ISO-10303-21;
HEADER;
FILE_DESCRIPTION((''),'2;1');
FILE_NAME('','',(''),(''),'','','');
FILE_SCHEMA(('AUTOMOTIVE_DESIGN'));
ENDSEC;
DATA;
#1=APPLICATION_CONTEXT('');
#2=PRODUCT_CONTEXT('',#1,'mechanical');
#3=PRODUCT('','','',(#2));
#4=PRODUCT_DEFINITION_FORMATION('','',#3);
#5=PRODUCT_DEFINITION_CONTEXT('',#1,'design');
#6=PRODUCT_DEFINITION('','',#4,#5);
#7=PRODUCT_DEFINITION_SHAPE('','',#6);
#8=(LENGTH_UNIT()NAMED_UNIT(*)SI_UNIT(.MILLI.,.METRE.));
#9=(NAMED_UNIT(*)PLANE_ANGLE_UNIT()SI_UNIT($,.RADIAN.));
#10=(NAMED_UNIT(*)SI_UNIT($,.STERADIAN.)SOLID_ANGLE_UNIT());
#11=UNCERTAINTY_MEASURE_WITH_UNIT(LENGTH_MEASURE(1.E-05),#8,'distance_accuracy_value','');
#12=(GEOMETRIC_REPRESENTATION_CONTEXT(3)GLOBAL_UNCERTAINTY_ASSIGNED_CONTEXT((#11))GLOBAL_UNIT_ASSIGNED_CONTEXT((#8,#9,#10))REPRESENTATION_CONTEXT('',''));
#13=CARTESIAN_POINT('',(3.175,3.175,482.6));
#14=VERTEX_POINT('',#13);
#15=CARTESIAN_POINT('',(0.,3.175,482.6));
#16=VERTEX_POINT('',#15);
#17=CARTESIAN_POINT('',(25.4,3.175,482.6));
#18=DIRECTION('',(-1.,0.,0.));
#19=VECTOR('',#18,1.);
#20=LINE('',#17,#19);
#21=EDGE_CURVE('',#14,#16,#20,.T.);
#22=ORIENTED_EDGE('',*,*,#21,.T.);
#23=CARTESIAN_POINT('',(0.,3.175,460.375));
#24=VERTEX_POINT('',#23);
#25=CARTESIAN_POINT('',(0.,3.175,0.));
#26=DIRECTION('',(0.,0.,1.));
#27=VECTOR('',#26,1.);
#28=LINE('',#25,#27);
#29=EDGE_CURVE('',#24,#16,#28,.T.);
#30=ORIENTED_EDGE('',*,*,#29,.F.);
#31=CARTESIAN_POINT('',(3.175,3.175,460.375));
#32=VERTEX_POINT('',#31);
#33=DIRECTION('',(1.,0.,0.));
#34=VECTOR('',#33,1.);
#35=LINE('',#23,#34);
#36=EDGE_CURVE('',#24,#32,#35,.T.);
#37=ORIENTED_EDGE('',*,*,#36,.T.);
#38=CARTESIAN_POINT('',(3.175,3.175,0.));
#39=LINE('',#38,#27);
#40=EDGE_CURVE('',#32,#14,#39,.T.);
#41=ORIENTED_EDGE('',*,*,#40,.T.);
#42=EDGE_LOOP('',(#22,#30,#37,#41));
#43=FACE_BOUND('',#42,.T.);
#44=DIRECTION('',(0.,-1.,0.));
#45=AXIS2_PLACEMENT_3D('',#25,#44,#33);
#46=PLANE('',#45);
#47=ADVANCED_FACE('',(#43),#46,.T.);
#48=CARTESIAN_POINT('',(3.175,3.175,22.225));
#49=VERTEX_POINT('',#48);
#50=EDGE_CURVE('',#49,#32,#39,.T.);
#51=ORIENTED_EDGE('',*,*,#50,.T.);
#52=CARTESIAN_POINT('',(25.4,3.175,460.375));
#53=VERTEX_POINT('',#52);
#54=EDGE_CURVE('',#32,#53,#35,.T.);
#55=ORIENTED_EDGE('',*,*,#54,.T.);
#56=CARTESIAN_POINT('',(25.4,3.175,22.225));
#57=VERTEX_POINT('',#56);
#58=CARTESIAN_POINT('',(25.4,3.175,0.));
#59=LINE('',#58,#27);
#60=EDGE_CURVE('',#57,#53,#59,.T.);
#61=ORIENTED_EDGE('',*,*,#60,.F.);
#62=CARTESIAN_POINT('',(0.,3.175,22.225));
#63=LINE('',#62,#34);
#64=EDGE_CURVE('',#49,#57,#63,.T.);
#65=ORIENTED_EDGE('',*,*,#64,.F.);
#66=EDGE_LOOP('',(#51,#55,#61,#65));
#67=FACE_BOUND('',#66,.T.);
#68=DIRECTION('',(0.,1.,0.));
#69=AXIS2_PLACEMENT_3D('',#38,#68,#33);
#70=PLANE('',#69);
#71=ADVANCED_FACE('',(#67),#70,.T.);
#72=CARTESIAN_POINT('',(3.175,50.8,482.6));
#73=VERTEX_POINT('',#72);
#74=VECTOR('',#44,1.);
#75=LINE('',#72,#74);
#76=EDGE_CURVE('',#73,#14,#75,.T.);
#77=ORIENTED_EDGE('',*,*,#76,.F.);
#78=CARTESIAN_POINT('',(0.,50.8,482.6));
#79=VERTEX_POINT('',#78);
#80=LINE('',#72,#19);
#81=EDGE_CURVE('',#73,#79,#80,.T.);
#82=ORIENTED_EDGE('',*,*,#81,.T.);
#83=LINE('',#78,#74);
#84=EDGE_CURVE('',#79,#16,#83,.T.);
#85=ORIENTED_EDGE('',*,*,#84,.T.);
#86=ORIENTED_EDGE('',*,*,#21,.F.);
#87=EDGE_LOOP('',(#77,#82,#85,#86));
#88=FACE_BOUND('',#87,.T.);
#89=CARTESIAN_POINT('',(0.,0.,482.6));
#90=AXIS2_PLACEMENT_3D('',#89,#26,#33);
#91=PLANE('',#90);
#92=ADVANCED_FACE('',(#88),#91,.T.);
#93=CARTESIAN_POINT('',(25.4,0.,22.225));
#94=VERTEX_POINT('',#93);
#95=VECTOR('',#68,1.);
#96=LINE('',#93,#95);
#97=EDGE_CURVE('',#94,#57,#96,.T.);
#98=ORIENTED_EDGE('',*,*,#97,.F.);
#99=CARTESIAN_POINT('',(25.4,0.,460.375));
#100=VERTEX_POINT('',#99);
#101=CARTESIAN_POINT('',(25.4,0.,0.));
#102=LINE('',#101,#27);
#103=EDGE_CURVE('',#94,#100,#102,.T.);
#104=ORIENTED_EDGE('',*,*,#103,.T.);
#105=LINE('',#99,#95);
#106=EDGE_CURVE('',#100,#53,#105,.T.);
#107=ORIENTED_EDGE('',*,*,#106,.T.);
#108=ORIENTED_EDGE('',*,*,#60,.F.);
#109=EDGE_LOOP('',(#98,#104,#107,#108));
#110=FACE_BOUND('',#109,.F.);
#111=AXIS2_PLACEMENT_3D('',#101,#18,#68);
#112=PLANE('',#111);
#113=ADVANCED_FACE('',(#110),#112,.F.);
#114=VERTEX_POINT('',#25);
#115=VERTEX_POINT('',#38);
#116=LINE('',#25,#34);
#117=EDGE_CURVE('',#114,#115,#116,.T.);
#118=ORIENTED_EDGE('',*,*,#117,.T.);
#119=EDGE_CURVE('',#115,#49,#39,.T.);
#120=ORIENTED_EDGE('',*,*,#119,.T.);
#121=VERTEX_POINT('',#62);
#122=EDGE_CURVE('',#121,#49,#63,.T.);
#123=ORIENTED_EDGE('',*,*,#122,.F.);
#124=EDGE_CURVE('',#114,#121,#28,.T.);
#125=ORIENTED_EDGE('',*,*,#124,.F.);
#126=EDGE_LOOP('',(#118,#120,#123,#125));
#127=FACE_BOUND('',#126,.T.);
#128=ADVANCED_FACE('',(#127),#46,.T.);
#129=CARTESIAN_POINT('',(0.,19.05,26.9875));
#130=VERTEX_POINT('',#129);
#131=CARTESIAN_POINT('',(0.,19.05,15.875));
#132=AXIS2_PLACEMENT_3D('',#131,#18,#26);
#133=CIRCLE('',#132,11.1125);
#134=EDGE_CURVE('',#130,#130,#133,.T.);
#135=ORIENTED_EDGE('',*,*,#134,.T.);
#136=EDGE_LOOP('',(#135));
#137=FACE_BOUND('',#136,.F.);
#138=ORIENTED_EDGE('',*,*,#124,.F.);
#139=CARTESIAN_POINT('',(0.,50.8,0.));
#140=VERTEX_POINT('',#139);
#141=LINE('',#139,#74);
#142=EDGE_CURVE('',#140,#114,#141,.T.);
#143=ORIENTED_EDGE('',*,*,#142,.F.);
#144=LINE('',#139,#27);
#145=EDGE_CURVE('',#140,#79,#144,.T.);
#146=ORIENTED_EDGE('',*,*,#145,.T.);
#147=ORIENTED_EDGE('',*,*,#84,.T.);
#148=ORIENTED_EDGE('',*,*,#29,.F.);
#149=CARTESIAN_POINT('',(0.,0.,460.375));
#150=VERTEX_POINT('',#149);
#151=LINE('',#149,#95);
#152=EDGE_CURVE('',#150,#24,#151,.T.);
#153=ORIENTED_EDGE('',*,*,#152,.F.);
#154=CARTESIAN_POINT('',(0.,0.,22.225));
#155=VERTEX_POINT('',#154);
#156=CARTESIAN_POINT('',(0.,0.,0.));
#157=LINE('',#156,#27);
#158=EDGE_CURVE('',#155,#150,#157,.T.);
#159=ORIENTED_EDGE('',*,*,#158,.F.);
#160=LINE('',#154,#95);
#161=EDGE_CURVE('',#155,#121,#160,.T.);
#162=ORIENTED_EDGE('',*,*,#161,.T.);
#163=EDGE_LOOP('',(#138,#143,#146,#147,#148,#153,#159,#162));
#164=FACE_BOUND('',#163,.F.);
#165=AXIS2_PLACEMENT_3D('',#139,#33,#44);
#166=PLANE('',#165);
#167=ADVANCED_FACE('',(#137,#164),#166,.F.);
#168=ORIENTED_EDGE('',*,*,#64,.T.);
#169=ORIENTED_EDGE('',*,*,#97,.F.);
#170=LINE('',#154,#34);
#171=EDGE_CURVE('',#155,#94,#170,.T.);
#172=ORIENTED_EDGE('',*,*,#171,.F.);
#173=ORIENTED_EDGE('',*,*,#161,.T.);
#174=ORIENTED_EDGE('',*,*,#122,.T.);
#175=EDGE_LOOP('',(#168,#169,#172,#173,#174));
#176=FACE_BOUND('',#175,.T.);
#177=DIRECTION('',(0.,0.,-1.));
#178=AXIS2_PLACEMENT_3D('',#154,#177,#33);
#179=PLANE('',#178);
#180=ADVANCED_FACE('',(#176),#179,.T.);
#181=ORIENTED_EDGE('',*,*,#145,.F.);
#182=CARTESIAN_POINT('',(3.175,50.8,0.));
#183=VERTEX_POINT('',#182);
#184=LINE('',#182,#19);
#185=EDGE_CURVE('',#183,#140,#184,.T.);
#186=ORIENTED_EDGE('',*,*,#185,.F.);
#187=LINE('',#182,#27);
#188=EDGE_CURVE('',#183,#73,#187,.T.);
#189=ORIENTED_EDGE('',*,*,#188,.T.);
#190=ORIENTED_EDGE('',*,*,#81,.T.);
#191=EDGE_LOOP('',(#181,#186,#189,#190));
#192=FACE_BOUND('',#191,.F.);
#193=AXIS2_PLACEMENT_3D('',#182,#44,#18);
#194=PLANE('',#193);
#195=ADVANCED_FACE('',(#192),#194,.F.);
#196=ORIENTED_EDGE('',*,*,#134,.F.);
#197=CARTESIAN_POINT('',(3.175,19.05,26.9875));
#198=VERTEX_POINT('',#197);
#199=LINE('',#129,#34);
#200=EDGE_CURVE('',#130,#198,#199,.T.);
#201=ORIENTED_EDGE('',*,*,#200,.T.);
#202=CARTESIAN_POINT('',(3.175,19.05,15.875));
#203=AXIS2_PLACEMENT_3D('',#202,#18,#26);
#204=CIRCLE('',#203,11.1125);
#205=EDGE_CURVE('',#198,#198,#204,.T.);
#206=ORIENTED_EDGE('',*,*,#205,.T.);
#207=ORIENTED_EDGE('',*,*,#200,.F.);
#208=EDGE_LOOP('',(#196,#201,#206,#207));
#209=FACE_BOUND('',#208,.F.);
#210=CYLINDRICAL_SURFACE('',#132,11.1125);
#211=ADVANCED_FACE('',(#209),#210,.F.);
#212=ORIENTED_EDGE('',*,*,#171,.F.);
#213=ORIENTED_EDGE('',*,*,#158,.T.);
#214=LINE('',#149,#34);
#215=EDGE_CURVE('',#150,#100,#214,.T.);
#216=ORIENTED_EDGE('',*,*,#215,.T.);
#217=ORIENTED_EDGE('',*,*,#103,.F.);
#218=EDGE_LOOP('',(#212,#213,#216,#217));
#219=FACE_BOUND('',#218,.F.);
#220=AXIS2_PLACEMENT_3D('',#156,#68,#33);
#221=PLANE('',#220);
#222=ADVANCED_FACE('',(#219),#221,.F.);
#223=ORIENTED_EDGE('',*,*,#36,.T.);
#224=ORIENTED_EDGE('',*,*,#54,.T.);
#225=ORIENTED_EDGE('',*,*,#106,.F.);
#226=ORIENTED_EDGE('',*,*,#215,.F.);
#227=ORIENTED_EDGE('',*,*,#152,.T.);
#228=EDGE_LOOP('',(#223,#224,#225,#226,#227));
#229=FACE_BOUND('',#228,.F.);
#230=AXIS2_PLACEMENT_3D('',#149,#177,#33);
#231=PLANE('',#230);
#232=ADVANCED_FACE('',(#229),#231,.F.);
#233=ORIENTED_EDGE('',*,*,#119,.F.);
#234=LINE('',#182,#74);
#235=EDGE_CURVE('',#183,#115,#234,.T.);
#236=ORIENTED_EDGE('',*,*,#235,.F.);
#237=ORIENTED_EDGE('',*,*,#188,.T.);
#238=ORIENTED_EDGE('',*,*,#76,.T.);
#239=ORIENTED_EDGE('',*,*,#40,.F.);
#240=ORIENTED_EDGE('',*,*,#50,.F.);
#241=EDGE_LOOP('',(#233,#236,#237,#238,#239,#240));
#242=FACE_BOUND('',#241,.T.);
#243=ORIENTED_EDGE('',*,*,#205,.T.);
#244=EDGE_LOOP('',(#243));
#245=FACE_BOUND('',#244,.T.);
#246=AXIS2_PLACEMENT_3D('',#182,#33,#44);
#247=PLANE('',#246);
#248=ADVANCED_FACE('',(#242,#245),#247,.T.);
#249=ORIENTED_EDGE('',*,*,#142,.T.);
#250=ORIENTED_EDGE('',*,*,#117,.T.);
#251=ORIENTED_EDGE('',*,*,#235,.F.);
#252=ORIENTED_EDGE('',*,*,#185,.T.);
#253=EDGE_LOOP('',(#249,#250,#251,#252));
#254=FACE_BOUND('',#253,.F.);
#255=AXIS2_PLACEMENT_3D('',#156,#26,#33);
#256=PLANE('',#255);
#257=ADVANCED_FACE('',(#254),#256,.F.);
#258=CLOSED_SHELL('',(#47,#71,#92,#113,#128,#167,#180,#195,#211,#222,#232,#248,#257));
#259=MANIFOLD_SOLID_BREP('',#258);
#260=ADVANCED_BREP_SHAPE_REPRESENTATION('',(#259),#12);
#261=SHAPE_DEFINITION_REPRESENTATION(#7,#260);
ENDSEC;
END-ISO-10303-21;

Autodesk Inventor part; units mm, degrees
ref_plane "YZ Plane" through (0, 0, 0) normal (1, 0, 0) x (0, 1, 0)
ref_plane "XZ Plane" through (0, 0, 0) normal (0, 1, 0) x (-1, 0, 0)
ref_plane "XY Plane" through (0, 0, 0) normal (0, 0, 1) x (1, 0, 0)
sketch "Sketch1" plane through (0, 0, 0) normal (0, 0, 1) x (1, 0, 0)
  line L0 (0, 0) -> (25.4, 0)
  line L1 (25.4, 0) -> (25.4, 3.175)
  line L2 (3.175, 50.8) -> (0, 50.8)
  line L3 (0, 50.8) -> (0, 0)
  line L4 (3.175, 50.8) -> (3.175, 3.175)
  line L5 (3.175, 3.175) -> (25.4, 3.175)
  dimension "d0" = 50.8
  dimension "d1" = 25.4
  dimension "d2" = 3.175
  dimension "d3" = 3.175
extrude "Extrusion1" add sketch "Sketch1" along normal blind 482.6
sketch "Sketch2" plane through (0, 0, 0) normal (-1, 0, 0) x (0, 0, 1)
  line L0 (0, 0) -> (482.6, 0) projected
  line L1 (0, 50.8) -> (0, 0) projected
  circle A0 centre (15.875, 19.05) radius 11.1125
  dimension "d13" = 19.05
  dimension "d14" = 15.875
  dimension "d15" = 22.225
extrude "Extrusion2" cut sketch "Sketch2" against normal blind 508
sketch "Sketch3" plane through (0, 0, 0) normal (0, -1, 0) x (1, 0, 0)
  line L0 (25.4, 482.6) -> (0, 482.6) projected
  line L1 (0, 0) -> (0, 482.6) projected
  line L2 (25.4, 0) -> (25.4, 482.6) projected
  line L3 (0, 460.375) -> (25.4, 460.375)
  line L4 (0, 0) -> (25.4, 0) projected
  line L5 (0, 22.225) -> (25.4, 22.225)
  dimension "d16" = 22.225
  dimension "d19" = 22.225
extrude "Extrusion3" cut sketch "Sketch3" against normal blind 3.175 contours L2 L3 L1 L0 | L2 L4 L1 L5
equation "\"d3\" = d2"
equation "\"d19\" = d16"
properties part number "manipulator L frame left"
